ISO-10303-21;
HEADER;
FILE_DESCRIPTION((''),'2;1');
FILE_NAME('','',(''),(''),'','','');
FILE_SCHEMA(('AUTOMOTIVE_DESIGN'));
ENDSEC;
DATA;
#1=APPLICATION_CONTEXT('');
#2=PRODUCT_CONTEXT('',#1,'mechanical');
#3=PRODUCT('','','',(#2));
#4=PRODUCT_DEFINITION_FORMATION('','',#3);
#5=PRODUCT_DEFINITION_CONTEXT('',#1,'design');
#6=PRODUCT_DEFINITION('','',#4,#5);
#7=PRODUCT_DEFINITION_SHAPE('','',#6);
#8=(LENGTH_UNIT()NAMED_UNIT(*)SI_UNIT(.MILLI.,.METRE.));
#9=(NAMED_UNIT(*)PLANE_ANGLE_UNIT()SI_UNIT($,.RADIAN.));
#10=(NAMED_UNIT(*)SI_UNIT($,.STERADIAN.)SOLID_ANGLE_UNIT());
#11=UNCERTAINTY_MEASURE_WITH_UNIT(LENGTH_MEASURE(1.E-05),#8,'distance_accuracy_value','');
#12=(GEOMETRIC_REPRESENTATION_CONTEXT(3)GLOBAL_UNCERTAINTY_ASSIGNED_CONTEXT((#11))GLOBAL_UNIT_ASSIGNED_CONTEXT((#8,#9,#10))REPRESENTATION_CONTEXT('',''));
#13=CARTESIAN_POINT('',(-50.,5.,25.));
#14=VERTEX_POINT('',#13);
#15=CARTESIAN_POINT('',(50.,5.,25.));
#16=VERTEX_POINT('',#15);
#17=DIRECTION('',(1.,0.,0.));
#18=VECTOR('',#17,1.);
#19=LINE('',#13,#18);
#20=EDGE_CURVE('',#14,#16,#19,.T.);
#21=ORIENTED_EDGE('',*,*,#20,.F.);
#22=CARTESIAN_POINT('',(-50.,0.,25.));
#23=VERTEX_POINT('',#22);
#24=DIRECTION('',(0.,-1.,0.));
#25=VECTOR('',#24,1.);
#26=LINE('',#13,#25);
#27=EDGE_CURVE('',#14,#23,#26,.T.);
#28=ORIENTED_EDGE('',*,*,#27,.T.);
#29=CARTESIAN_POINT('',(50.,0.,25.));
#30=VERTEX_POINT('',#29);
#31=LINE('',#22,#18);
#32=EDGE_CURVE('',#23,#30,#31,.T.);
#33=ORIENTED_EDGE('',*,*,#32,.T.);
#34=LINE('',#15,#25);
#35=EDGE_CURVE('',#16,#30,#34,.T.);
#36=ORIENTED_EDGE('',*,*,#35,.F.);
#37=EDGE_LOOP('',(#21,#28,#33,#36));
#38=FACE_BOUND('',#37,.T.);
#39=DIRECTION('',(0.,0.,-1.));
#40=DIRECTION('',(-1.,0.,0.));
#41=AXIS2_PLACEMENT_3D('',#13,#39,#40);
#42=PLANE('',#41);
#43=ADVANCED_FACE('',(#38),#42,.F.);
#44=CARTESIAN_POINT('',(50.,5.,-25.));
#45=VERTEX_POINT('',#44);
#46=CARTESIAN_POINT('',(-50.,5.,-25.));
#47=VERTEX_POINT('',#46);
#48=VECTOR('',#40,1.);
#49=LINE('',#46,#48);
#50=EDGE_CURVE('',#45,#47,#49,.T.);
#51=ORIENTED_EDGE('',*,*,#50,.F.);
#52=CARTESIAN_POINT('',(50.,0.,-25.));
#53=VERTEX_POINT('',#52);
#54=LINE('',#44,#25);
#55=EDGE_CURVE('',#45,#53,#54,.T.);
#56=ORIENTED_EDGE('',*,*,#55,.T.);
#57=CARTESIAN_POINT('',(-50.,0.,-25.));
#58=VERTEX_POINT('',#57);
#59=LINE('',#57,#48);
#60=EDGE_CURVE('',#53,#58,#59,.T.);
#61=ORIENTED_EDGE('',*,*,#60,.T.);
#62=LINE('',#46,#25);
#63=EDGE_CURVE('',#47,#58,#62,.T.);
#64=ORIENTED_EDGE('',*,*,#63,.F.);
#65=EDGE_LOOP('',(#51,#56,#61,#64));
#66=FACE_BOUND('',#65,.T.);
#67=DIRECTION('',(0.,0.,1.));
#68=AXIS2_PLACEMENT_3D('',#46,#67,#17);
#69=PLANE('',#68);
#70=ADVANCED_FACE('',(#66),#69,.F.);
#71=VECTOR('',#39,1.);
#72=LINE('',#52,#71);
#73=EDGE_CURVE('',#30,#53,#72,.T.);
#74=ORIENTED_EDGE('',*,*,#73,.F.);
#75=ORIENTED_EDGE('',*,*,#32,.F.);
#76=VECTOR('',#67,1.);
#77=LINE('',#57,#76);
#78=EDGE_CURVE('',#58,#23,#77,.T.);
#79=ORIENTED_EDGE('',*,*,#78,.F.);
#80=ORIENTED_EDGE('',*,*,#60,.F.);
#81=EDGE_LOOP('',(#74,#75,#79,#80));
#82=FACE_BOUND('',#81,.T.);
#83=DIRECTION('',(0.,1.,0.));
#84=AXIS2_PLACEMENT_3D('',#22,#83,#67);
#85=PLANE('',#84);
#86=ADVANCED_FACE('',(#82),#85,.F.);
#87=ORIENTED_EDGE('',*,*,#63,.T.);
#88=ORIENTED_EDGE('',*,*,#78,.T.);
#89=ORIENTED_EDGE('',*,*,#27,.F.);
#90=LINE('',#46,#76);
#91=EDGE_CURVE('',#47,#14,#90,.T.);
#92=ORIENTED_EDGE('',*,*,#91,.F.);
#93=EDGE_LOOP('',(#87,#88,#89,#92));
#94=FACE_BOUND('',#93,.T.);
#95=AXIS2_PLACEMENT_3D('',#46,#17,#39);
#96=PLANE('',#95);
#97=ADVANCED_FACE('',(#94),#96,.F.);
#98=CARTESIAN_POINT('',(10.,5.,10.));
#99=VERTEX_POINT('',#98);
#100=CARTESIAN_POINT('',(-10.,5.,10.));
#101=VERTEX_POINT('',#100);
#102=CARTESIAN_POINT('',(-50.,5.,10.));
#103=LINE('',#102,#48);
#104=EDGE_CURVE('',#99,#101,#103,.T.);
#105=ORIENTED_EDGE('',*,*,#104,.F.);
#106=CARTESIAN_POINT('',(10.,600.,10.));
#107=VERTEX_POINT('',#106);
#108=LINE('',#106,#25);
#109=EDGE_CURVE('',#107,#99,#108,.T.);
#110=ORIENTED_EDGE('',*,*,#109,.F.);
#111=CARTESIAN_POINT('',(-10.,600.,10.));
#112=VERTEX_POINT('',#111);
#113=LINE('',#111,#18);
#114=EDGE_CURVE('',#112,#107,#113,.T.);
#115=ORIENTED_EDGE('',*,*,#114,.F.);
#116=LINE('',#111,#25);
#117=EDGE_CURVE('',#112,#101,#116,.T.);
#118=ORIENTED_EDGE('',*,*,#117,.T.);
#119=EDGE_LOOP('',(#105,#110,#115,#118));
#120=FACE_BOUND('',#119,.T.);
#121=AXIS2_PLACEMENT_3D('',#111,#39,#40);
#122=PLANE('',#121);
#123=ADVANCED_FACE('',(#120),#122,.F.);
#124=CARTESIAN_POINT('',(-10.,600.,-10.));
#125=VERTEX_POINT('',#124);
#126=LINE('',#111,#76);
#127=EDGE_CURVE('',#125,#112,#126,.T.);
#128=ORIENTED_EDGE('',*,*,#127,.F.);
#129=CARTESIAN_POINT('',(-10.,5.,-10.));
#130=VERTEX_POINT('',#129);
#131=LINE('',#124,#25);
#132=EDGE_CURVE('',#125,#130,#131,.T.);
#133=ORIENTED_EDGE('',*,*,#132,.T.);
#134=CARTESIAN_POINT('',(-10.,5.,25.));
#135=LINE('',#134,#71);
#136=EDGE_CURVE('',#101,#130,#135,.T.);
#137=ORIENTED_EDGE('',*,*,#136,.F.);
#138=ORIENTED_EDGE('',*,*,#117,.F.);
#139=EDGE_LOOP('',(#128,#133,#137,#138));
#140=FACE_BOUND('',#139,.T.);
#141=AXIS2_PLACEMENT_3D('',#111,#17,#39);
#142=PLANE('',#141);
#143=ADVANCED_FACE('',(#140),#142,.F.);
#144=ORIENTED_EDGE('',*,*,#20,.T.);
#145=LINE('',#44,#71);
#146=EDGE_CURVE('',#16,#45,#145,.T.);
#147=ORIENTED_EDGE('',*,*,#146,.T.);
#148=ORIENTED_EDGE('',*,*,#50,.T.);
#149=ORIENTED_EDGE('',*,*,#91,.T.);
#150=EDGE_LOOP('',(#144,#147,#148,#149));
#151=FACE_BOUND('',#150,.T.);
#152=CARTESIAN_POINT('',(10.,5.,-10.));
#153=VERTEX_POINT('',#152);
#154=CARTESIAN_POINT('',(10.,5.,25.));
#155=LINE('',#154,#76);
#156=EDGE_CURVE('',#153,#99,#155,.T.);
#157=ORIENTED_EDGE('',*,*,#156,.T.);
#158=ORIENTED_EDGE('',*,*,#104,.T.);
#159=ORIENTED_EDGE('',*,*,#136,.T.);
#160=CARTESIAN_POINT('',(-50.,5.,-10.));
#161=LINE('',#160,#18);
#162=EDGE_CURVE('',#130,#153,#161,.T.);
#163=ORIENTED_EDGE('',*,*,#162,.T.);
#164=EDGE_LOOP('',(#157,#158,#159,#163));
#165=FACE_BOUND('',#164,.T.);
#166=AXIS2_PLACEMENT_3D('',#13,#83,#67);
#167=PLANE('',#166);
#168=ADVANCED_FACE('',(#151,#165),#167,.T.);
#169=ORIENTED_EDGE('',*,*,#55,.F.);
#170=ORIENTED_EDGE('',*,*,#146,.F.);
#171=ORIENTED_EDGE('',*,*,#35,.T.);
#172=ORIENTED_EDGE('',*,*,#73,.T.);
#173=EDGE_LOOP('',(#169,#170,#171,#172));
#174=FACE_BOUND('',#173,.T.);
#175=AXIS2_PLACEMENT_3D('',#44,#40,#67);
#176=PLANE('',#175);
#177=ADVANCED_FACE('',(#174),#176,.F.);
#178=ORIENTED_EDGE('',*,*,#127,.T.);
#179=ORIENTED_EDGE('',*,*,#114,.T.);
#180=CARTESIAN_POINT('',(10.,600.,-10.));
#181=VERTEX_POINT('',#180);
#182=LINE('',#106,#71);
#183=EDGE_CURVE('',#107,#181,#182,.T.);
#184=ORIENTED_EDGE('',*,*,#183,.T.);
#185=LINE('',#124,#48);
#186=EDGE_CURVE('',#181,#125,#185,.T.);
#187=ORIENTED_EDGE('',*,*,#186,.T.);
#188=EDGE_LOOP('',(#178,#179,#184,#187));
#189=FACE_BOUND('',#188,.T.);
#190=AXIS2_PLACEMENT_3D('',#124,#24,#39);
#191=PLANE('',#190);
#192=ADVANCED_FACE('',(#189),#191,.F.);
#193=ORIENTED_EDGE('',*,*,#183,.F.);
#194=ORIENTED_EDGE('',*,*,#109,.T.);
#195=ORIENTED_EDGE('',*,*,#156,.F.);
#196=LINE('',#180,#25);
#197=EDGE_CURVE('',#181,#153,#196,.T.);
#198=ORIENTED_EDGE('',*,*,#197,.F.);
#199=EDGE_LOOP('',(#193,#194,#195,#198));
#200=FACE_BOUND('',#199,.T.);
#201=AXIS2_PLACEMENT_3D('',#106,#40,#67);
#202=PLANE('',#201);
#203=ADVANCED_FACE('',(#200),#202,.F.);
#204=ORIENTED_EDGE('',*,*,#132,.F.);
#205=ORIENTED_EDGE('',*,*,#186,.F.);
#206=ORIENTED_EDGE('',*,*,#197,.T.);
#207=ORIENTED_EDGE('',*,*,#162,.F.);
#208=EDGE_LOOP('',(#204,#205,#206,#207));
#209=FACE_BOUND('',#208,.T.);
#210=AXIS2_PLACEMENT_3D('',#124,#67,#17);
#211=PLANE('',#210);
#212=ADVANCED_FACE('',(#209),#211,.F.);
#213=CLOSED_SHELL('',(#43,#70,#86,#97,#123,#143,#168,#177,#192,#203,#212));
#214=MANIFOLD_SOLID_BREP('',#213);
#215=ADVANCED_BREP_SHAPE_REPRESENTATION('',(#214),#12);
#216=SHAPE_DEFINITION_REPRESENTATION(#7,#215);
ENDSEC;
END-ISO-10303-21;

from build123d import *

# Parameters (mm, degrees)
SKETCH1_W      = 100
SKETCH1_H      = 50
EXTRUDE1_DEPTH = 5
SKETCH2_W      = 20
SKETCH2_H      = 20
EXTRUDE2_DEPTH = 600


with BuildPart() as part:
    # Sketch1 → Extrude1 (new body)
    with BuildSketch(Plane(origin=(0, 0, 0), x_dir=(1, 0, 0), z_dir=(0, 1, 0))):
        Rectangle(SKETCH1_W, SKETCH1_H)
    extrude(amount=EXTRUDE1_DEPTH)

    # Sketch2 → Extrude2 (add)
    with BuildSketch(Plane(origin=(0, 0, 0), x_dir=(1, 0, 0), z_dir=(0, 1, 0))):
        Rectangle(SKETCH2_W, SKETCH2_H)
    extrude(amount=EXTRUDE2_DEPTH)


solid = part.part
